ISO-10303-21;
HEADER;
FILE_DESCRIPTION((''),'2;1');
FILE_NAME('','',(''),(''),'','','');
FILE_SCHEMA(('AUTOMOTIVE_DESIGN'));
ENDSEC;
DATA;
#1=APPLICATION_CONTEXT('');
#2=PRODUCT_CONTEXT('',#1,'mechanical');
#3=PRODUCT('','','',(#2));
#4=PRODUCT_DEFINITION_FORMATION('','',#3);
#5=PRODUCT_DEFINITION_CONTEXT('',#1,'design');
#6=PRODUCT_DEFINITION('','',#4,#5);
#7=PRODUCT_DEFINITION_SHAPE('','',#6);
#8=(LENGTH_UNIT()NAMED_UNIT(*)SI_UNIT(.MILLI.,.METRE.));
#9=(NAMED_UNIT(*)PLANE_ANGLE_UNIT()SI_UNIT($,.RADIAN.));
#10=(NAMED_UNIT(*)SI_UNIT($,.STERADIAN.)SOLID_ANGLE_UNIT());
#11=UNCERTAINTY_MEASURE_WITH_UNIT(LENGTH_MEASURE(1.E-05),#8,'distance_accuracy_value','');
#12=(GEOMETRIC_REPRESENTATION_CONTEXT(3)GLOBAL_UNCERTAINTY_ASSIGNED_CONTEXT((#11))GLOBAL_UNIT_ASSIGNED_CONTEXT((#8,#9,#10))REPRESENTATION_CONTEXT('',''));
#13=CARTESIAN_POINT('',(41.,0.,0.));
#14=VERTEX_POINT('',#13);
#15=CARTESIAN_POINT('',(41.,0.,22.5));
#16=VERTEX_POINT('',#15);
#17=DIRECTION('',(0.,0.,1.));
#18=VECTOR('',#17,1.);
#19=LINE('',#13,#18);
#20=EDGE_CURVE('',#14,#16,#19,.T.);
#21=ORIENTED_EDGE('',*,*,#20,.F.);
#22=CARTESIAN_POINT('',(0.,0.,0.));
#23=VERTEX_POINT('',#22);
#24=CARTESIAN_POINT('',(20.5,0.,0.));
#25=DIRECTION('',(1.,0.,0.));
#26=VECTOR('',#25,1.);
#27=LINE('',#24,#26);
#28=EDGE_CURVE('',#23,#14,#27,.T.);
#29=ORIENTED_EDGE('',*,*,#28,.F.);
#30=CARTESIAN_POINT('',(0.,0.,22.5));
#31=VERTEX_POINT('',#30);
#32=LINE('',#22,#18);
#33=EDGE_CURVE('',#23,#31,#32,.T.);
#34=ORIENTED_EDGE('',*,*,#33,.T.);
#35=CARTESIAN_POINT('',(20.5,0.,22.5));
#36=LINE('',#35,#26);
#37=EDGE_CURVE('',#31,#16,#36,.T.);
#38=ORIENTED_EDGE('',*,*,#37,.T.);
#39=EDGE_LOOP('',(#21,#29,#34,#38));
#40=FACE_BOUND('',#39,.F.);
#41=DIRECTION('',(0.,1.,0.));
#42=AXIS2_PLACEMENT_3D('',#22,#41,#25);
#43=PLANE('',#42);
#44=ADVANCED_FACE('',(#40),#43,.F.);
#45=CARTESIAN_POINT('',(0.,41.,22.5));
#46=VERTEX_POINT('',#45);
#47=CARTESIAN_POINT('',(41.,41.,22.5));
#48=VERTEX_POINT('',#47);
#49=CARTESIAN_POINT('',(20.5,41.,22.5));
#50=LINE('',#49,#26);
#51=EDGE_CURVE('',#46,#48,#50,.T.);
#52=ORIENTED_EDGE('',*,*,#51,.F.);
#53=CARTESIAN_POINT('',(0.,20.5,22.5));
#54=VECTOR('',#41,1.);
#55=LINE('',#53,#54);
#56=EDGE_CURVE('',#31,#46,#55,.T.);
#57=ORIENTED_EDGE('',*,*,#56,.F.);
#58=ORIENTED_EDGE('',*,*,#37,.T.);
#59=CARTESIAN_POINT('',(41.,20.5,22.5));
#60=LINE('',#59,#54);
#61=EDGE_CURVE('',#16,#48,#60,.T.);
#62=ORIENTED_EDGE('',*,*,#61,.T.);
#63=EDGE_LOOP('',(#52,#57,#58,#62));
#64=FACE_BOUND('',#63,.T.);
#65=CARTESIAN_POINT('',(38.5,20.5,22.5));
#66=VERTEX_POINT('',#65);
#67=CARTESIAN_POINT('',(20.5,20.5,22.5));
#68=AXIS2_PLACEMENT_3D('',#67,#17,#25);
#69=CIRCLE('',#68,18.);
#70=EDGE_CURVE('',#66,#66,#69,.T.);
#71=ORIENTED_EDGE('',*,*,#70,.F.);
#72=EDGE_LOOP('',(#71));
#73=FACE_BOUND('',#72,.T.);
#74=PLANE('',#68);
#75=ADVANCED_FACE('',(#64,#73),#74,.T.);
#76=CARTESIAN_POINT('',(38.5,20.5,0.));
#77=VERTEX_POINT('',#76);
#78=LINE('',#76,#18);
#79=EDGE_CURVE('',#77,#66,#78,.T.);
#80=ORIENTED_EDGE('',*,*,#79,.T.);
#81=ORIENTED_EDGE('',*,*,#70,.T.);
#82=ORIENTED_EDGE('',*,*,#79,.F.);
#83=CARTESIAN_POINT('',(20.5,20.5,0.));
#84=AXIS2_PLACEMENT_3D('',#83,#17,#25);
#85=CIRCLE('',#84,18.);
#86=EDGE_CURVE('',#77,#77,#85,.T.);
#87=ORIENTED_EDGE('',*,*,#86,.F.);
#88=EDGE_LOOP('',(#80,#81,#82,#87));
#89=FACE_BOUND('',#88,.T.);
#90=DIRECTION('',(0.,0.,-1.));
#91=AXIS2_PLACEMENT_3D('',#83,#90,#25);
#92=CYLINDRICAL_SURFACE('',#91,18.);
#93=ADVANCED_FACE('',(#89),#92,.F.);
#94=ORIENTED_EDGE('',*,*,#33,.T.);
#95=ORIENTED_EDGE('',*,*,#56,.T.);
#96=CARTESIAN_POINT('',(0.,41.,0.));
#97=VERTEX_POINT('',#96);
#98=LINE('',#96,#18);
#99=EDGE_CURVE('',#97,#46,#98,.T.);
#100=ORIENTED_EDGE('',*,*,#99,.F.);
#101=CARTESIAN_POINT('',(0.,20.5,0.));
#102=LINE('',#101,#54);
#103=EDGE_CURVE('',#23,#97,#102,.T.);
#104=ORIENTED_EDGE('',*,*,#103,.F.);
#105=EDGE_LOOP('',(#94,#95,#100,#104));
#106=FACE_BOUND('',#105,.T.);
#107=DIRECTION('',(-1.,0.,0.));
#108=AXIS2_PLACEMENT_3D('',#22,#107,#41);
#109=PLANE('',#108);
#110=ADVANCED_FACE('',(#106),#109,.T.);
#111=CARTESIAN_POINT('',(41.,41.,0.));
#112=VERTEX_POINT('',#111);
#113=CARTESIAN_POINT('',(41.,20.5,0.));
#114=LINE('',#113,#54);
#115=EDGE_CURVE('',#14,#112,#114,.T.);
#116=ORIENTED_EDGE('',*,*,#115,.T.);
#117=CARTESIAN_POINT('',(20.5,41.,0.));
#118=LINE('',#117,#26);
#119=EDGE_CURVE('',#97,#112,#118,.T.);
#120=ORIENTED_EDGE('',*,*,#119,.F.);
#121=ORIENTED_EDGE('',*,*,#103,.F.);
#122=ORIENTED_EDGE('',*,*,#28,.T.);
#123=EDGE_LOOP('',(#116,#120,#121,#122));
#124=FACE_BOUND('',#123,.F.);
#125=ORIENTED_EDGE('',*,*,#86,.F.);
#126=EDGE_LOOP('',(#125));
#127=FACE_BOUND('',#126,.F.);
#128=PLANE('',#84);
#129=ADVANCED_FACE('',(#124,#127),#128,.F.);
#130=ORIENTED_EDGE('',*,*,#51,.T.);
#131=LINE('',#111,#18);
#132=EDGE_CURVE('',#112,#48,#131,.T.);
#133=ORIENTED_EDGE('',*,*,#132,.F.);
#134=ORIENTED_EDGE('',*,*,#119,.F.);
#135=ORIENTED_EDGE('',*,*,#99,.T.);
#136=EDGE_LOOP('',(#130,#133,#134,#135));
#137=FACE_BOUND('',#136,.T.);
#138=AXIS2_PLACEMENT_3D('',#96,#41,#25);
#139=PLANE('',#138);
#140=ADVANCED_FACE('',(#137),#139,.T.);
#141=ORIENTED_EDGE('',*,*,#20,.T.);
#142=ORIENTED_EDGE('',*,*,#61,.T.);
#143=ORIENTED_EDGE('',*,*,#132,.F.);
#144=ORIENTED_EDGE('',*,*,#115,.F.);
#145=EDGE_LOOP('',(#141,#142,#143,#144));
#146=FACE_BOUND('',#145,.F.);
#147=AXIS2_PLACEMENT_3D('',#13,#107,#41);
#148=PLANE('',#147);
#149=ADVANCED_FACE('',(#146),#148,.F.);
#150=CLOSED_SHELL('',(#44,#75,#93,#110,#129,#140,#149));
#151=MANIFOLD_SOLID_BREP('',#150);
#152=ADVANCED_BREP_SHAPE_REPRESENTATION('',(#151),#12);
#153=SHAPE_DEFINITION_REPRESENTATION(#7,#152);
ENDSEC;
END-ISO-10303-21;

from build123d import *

# Parameters (mm, degrees)
CYLINDER014005154_R     = 18
CYLINDER014005154_DEPTH = 22.5
BOX009_W                = 41
BOX009_H                = 41
BOX009_DEPTH            = 22.5


with BuildPart() as v_lec151:
    # Cylinder014005154 → Cylinder014005154 (new body)
    with BuildSketch(Plane(origin=(20.5, 20.5, 0), x_dir=(1, 0, 0), z_dir=(0, 0, 1))):
        Circle(CYLINDER014005154_R)
    extrude(amount=CYLINDER014005154_DEPTH)


with BuildPart() as cut061006:
    # Box009 → Box009 (new body)
    with BuildSketch(Plane.XY):
        with Locations((20.5, 20.5)):
            Rectangle(BOX009_W, BOX009_H)
    extrude(amount=BOX009_DEPTH)

    # Cut061006: cut Válec151
    add(v_lec151.part, mode=Mode.SUBTRACT)


solid = cut061006.part
